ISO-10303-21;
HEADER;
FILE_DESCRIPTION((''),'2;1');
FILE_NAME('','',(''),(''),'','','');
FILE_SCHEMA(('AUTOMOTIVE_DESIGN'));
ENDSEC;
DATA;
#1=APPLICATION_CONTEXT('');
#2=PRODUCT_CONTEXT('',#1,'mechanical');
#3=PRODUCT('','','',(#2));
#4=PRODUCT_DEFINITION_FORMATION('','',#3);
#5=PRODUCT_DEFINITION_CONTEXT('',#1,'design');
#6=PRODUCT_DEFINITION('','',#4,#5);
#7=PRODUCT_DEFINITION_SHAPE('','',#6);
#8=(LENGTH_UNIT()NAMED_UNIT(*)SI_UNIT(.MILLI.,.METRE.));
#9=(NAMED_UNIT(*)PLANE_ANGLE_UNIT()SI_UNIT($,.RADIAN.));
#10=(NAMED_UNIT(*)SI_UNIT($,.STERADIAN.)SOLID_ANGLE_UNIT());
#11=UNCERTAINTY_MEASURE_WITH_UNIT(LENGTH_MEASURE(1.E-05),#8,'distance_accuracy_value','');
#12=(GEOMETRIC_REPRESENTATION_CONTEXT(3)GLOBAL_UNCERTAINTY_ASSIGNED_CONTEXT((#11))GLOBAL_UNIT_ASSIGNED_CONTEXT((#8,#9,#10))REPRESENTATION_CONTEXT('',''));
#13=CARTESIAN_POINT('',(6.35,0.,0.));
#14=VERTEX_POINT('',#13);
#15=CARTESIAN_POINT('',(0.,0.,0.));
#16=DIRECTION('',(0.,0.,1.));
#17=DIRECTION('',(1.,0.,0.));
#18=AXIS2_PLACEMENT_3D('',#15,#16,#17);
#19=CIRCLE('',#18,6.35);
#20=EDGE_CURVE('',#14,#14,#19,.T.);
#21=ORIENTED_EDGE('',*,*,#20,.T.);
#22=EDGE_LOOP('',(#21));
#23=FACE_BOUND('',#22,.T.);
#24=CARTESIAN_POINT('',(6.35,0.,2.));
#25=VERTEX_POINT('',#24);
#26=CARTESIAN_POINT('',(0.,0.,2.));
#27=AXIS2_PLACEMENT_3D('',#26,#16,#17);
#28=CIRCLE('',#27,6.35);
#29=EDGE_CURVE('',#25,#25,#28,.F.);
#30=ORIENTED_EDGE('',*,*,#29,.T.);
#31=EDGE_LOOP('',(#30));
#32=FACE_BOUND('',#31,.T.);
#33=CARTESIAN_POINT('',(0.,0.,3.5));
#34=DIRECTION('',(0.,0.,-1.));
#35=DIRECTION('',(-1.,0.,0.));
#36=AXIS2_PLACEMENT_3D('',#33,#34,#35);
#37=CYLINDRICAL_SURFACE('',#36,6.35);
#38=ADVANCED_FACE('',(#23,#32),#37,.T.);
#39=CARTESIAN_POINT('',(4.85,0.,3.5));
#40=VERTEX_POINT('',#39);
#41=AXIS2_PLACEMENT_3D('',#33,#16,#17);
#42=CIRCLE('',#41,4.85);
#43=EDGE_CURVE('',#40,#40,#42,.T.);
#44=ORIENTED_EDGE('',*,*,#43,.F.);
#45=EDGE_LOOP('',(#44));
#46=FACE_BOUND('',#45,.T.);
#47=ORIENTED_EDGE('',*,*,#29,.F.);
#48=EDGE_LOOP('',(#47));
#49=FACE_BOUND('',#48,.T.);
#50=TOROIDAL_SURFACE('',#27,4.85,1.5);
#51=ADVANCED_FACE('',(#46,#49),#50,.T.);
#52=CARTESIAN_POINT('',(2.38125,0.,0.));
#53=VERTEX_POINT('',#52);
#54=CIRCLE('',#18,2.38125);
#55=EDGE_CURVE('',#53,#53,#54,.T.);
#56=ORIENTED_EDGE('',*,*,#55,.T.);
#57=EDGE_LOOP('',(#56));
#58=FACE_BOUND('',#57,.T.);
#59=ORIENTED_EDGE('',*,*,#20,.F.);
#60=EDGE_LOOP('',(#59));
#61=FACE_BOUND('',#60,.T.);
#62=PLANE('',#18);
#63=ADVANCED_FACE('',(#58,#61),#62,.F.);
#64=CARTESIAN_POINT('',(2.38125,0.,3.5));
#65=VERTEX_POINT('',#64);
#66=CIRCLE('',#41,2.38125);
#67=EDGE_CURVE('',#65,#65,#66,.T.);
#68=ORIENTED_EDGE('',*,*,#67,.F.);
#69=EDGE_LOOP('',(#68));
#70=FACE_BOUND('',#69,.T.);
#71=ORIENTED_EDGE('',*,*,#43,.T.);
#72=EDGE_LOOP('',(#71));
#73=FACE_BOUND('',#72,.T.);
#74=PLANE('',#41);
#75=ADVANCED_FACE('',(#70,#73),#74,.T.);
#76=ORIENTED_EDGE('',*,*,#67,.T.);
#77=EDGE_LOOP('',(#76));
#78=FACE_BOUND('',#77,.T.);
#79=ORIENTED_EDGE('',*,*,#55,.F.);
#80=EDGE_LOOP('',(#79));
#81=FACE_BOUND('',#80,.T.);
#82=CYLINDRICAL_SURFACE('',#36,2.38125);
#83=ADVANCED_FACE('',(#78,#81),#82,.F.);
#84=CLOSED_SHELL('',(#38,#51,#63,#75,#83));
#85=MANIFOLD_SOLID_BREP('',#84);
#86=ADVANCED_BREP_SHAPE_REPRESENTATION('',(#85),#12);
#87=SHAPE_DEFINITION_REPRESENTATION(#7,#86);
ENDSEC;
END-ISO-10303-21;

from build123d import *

# Parameters (mm, degrees)
SKETCH1_R           = 6.35
SKETCH1_R_2         = 2.38125
BOSS_EXTRUDE1_DEPTH = 3.5
FILLET1_R           = 1.5


with BuildPart() as part:
    # Sketch1 → Boss-Extrude1 (new body)
    with BuildSketch(Plane.XY):
        Circle(SKETCH1_R)
        Circle(SKETCH1_R_2, mode=Mode.SUBTRACT)
    extrude(amount=BOSS_EXTRUDE1_DEPTH)

    # Fillet1
    fillet1_edges = [part.edges().sort_by_distance(p)[0] for p in [
        (-6.35, 0, 3.5),
    ]]
    fillet(fillet1_edges, radius=FILLET1_R)


solid = part.part
